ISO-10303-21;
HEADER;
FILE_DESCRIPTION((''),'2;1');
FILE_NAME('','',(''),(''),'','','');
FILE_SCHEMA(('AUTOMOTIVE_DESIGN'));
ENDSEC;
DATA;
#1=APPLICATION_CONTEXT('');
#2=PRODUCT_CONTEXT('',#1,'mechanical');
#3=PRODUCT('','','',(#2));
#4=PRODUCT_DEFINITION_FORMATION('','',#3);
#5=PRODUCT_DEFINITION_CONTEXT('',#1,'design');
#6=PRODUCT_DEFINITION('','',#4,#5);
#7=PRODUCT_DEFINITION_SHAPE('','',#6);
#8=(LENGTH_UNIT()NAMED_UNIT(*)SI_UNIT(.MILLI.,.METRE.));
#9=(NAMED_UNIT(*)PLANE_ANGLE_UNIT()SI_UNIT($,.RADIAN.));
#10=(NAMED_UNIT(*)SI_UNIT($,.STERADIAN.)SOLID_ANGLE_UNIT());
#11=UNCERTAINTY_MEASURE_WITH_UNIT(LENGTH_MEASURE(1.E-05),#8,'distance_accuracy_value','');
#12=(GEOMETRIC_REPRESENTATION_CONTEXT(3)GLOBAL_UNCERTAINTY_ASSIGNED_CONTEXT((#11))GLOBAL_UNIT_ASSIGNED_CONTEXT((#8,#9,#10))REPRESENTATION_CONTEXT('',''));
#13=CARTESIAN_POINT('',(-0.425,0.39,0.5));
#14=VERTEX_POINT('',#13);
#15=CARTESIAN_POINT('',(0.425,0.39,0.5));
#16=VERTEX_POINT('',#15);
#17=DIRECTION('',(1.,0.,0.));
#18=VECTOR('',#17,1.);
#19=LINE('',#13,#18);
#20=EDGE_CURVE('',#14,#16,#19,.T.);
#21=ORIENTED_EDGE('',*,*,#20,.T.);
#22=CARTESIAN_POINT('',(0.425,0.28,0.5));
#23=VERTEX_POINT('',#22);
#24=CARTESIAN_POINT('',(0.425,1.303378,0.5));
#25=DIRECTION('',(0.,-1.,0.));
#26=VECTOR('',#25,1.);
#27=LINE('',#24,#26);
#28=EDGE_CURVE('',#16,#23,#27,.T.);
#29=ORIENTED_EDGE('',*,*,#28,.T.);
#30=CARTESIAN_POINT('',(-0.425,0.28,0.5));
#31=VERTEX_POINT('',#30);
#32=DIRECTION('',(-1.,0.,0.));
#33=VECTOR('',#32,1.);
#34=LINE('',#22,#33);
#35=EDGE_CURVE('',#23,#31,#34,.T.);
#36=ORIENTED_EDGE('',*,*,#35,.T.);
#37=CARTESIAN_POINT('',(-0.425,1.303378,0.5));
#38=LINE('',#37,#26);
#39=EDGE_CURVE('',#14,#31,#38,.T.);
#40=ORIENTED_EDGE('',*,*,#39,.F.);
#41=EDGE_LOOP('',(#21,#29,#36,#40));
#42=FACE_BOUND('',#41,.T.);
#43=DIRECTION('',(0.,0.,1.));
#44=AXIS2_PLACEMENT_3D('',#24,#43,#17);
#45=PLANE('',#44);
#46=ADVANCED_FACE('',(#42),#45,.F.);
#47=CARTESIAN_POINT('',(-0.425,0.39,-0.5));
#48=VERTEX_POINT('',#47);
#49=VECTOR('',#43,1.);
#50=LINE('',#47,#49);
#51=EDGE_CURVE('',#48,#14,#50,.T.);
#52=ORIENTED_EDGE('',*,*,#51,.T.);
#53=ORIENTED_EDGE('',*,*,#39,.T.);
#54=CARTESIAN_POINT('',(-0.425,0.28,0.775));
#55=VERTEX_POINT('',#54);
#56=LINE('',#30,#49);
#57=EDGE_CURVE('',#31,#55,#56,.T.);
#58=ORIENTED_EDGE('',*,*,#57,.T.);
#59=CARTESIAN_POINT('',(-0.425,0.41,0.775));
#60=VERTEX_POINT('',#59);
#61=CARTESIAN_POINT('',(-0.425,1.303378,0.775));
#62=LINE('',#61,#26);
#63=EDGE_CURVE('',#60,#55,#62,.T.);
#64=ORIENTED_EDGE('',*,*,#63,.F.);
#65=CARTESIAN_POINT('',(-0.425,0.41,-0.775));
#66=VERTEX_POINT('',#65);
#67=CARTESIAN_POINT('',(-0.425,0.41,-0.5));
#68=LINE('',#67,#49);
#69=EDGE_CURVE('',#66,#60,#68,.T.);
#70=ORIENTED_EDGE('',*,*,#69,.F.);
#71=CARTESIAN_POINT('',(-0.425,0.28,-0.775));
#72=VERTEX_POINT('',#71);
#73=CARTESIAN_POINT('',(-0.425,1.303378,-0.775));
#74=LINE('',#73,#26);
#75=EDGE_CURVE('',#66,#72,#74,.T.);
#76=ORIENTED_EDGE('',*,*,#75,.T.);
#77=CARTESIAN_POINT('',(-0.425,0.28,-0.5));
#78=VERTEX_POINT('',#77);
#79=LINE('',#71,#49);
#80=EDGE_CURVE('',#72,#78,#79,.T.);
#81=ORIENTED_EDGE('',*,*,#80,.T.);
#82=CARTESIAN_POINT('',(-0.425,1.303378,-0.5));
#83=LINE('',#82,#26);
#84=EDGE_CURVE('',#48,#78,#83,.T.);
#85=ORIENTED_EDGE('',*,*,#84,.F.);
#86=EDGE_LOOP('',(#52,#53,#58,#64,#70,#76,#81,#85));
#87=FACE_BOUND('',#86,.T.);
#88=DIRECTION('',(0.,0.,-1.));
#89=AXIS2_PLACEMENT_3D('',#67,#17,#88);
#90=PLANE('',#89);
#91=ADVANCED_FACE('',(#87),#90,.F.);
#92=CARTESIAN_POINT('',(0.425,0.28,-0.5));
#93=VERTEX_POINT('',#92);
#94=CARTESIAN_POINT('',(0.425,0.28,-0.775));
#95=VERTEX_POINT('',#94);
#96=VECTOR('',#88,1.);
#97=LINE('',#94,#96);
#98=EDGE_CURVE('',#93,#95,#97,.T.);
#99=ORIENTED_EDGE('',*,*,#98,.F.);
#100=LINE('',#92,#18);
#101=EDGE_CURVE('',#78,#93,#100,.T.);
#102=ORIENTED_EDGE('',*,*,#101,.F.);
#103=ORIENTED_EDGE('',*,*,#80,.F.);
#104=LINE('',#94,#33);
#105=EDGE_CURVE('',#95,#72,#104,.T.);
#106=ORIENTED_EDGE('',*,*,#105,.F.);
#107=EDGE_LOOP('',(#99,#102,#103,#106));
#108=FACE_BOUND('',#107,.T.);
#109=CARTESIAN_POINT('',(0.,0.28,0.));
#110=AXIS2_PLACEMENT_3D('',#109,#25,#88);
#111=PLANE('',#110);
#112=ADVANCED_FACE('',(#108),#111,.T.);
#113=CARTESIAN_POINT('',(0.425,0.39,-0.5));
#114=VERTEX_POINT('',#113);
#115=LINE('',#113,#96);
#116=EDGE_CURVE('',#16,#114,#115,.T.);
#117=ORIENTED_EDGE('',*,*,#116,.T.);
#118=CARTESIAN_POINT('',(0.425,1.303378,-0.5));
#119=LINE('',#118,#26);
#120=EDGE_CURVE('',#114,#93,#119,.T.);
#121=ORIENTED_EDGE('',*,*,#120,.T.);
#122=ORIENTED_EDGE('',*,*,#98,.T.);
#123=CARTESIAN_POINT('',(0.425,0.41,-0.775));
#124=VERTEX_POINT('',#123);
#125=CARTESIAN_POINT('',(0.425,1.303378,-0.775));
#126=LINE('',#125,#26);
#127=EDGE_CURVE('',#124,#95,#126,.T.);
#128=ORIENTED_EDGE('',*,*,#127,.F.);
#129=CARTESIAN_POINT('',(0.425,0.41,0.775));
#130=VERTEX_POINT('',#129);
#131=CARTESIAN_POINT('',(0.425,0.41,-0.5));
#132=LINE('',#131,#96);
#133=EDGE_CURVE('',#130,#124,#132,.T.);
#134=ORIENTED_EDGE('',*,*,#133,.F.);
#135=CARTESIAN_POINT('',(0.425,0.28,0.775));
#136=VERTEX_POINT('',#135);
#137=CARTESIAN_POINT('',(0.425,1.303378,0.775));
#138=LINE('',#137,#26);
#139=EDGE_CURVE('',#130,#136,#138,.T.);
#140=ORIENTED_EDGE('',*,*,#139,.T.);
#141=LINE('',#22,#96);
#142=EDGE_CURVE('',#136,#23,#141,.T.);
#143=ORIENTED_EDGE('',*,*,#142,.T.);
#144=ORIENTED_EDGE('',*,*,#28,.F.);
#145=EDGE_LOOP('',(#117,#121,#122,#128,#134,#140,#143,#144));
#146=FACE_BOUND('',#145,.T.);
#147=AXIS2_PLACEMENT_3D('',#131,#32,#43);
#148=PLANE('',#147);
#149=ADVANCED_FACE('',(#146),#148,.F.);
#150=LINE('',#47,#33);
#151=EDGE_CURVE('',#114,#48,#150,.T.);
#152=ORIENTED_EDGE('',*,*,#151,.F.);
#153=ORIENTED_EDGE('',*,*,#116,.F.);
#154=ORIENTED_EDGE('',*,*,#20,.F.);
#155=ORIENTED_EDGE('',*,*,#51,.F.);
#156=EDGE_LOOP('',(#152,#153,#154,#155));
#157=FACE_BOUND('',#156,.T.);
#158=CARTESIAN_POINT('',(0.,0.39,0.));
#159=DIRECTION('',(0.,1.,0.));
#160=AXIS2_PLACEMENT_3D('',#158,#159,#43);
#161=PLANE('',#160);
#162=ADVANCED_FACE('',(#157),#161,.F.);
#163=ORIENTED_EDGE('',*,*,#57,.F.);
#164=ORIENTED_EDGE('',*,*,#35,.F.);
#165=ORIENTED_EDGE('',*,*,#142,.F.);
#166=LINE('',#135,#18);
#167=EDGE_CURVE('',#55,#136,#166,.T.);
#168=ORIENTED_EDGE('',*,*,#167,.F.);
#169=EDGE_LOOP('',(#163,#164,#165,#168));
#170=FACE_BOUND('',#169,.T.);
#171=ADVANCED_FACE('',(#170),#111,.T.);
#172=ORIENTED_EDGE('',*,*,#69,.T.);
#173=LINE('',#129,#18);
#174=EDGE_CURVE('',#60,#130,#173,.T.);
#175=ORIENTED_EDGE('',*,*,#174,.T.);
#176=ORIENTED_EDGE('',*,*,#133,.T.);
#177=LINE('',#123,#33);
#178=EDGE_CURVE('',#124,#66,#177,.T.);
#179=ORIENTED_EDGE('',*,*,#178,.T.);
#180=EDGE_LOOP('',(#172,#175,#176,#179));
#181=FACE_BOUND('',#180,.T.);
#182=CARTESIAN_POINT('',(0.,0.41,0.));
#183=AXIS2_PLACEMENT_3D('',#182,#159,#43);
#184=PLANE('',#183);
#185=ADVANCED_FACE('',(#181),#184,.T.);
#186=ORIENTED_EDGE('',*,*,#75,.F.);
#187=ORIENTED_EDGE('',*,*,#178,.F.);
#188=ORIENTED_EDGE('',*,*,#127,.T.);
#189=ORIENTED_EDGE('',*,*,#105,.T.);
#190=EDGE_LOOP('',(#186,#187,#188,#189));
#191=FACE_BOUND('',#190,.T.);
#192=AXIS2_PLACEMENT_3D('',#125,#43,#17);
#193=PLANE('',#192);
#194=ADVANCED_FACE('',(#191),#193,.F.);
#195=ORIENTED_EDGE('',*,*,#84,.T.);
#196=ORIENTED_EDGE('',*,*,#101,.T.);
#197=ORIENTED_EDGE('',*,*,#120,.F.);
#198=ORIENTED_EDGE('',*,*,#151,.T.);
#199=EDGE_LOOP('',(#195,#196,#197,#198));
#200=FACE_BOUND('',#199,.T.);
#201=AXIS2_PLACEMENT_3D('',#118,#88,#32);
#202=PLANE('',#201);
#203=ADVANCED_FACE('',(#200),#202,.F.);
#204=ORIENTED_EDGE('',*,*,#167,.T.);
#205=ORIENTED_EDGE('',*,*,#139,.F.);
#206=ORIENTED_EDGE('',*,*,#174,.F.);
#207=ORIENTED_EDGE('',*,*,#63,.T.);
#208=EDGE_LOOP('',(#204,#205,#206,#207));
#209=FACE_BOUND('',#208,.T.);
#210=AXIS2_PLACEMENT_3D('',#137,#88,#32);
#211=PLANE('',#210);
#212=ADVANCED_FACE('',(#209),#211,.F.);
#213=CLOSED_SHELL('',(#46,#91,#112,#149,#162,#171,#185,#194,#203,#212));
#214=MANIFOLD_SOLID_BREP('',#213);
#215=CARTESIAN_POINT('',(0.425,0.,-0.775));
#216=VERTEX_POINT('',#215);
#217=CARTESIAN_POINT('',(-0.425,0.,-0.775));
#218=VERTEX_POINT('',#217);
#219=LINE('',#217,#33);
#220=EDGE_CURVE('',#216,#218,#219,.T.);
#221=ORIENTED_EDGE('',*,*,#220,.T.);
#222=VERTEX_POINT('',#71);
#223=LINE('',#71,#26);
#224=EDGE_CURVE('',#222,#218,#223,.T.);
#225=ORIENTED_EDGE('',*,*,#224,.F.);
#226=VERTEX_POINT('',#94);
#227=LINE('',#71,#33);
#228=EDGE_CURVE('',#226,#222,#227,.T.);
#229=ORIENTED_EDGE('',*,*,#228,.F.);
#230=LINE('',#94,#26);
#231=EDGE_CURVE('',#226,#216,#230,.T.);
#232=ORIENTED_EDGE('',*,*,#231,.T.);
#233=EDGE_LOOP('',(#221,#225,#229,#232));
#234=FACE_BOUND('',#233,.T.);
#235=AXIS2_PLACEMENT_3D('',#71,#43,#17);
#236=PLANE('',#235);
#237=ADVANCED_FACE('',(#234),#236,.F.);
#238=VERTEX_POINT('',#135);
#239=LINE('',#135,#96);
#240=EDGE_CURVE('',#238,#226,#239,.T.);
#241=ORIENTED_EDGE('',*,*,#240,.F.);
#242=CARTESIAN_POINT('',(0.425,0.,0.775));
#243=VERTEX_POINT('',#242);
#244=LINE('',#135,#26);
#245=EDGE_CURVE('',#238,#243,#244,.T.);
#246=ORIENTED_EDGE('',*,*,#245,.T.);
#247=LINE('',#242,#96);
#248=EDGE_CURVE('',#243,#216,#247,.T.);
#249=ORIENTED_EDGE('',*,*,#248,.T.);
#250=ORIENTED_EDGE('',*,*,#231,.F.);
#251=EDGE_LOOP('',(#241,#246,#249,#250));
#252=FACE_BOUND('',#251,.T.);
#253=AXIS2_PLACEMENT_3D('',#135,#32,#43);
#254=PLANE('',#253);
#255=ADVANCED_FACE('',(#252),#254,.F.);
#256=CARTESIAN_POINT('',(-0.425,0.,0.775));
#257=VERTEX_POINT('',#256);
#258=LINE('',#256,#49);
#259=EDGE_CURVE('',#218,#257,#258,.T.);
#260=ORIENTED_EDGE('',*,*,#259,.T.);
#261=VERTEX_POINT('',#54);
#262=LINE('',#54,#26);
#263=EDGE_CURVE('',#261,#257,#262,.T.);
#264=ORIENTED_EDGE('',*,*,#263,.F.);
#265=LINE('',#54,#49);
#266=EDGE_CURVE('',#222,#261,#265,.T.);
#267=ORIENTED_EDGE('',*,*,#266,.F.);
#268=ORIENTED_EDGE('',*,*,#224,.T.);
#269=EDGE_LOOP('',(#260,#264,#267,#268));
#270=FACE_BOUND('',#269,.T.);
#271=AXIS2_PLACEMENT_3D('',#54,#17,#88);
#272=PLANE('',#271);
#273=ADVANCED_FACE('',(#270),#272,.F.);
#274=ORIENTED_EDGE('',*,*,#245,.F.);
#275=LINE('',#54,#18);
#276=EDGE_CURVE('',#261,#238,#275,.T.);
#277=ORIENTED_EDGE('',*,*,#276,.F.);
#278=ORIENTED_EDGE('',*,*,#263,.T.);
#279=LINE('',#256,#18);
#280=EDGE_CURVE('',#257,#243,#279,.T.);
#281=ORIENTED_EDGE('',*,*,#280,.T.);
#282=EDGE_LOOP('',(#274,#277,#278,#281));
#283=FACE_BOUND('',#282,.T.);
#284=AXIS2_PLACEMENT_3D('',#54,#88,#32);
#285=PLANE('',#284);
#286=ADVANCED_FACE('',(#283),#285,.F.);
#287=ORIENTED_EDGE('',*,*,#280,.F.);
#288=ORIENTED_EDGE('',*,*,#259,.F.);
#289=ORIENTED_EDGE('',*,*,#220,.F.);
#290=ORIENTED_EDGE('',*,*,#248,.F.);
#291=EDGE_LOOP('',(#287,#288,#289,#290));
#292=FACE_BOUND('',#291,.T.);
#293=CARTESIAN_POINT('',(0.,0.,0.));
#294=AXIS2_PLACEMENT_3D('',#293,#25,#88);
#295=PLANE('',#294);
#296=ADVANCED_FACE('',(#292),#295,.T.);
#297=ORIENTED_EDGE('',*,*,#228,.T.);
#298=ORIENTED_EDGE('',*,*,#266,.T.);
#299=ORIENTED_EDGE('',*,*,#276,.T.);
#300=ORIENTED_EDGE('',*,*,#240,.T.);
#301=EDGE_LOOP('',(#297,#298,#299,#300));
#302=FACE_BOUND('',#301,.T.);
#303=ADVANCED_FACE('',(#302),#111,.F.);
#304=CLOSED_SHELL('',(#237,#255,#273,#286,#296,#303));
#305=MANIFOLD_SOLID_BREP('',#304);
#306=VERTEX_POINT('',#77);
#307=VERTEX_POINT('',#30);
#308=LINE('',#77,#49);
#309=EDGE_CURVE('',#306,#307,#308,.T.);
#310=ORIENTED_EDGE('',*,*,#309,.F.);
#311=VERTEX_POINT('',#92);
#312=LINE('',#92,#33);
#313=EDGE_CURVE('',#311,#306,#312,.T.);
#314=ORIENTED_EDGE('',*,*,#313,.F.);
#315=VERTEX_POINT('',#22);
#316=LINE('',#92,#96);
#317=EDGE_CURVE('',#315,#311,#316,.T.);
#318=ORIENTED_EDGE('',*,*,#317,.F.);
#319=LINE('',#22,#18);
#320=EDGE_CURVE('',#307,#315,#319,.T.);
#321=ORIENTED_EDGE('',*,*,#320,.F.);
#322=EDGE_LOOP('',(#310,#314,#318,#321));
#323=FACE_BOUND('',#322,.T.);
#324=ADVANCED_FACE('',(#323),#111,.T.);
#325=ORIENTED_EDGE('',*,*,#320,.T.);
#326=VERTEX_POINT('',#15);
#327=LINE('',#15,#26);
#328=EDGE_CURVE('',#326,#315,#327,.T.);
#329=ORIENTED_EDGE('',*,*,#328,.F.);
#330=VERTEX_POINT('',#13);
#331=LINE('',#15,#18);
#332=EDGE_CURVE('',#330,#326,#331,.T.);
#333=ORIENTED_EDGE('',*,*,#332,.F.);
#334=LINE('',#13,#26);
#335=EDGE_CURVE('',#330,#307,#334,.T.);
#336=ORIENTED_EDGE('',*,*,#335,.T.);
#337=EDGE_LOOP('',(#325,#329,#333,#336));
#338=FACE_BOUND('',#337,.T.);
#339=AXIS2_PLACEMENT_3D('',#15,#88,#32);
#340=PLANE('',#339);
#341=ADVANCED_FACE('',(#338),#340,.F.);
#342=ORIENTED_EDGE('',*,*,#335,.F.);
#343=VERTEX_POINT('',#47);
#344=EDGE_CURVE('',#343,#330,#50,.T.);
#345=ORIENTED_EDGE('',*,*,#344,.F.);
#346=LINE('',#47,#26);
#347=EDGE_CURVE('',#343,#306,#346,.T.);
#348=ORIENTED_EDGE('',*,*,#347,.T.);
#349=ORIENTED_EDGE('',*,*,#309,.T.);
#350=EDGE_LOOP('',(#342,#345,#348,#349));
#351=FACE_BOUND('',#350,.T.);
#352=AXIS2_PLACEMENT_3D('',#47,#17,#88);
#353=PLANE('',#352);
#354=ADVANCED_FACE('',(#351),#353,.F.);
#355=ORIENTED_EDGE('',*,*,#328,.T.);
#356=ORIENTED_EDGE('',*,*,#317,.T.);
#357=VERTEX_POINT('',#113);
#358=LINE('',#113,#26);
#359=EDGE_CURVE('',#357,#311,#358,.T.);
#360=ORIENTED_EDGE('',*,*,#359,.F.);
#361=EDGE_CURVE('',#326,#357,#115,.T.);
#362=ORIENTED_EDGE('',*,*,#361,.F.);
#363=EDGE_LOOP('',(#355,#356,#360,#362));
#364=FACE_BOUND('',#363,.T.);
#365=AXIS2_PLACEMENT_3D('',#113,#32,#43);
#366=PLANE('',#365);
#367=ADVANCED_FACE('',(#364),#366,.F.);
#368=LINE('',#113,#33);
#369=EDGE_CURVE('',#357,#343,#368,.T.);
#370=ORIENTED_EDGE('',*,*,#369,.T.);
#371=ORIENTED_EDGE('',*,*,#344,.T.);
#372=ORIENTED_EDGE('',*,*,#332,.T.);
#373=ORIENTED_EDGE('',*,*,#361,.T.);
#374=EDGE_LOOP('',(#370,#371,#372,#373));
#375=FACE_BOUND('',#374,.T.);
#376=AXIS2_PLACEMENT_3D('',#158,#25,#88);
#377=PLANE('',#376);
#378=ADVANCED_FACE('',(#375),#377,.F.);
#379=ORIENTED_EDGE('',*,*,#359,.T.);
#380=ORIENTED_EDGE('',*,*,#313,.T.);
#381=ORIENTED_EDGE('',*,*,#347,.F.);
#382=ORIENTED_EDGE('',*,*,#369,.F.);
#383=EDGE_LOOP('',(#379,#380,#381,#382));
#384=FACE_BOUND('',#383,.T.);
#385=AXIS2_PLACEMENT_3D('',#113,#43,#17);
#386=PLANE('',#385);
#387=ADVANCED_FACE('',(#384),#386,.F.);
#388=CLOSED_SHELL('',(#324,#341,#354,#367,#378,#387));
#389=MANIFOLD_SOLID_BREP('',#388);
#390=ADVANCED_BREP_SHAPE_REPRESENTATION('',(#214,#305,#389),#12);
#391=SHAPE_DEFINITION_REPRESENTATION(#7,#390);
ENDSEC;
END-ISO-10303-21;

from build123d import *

# Parameters (mm, degrees)
SKETCH1_W           = 0.85
SKETCH1_H           = 1.55
BOSS_EXTRUDE1_DEPTH = 0.28
SKETCH2_W           = 0.85
SKETCH2_H           = 1
BOSS_EXTRUDE2_DEPTH = 0.11
SKETCH3_W           = 0.85
SKETCH3_H           = 1
BOSS_EXTRUDE3_DEPTH = 0.02
SKETCH4_W           = 0.85
SKETCH4_H           = 0.275
BOSS_EXTRUDE5_DEPTH = 0.13


with BuildPart() as part:
    # Sketch1 → Boss-Extrude1 (new body)
    with BuildSketch(Plane(origin=(0, 0, 0), x_dir=(1, 0, 0), z_dir=(0, 1, 0))):
        Rectangle(SKETCH1_W, SKETCH1_H)
    extrude(amount=BOSS_EXTRUDE1_DEPTH)


with BuildPart() as body_2:
    # Sketch2 → Boss-Extrude2 (new body)
    with BuildSketch(Plane(origin=(0, 0.28, 0), x_dir=(1, 0, 0), z_dir=(0, 1, 0))):
        Rectangle(SKETCH2_W, SKETCH2_H)
    extrude(amount=BOSS_EXTRUDE2_DEPTH)


with BuildPart() as body_3:
    # Sketch3 → Boss-Extrude3 (new body)
    with BuildSketch(Plane(origin=(0, 0.39, 0), x_dir=(1, 0, 0), z_dir=(0, 1, 0))):
        Rectangle(SKETCH3_W, SKETCH3_H)
    extrude(amount=BOSS_EXTRUDE3_DEPTH)

    # Sketch4 → Boss-Extrude5 (add)
    with BuildSketch(Plane(origin=(0, 0.28, 0), x_dir=(1, 0, 0), z_dir=(0, 1, 0))):
        with Locations((0, 0.6375)):
            Rectangle(SKETCH4_W, SKETCH4_H)
        with Locations((0, -0.6375)):
            Rectangle(SKETCH4_W, SKETCH4_H)
    extrude(amount=BOSS_EXTRUDE5_DEPTH)


solid = Compound([part.part, body_2.part, body_3.part])
